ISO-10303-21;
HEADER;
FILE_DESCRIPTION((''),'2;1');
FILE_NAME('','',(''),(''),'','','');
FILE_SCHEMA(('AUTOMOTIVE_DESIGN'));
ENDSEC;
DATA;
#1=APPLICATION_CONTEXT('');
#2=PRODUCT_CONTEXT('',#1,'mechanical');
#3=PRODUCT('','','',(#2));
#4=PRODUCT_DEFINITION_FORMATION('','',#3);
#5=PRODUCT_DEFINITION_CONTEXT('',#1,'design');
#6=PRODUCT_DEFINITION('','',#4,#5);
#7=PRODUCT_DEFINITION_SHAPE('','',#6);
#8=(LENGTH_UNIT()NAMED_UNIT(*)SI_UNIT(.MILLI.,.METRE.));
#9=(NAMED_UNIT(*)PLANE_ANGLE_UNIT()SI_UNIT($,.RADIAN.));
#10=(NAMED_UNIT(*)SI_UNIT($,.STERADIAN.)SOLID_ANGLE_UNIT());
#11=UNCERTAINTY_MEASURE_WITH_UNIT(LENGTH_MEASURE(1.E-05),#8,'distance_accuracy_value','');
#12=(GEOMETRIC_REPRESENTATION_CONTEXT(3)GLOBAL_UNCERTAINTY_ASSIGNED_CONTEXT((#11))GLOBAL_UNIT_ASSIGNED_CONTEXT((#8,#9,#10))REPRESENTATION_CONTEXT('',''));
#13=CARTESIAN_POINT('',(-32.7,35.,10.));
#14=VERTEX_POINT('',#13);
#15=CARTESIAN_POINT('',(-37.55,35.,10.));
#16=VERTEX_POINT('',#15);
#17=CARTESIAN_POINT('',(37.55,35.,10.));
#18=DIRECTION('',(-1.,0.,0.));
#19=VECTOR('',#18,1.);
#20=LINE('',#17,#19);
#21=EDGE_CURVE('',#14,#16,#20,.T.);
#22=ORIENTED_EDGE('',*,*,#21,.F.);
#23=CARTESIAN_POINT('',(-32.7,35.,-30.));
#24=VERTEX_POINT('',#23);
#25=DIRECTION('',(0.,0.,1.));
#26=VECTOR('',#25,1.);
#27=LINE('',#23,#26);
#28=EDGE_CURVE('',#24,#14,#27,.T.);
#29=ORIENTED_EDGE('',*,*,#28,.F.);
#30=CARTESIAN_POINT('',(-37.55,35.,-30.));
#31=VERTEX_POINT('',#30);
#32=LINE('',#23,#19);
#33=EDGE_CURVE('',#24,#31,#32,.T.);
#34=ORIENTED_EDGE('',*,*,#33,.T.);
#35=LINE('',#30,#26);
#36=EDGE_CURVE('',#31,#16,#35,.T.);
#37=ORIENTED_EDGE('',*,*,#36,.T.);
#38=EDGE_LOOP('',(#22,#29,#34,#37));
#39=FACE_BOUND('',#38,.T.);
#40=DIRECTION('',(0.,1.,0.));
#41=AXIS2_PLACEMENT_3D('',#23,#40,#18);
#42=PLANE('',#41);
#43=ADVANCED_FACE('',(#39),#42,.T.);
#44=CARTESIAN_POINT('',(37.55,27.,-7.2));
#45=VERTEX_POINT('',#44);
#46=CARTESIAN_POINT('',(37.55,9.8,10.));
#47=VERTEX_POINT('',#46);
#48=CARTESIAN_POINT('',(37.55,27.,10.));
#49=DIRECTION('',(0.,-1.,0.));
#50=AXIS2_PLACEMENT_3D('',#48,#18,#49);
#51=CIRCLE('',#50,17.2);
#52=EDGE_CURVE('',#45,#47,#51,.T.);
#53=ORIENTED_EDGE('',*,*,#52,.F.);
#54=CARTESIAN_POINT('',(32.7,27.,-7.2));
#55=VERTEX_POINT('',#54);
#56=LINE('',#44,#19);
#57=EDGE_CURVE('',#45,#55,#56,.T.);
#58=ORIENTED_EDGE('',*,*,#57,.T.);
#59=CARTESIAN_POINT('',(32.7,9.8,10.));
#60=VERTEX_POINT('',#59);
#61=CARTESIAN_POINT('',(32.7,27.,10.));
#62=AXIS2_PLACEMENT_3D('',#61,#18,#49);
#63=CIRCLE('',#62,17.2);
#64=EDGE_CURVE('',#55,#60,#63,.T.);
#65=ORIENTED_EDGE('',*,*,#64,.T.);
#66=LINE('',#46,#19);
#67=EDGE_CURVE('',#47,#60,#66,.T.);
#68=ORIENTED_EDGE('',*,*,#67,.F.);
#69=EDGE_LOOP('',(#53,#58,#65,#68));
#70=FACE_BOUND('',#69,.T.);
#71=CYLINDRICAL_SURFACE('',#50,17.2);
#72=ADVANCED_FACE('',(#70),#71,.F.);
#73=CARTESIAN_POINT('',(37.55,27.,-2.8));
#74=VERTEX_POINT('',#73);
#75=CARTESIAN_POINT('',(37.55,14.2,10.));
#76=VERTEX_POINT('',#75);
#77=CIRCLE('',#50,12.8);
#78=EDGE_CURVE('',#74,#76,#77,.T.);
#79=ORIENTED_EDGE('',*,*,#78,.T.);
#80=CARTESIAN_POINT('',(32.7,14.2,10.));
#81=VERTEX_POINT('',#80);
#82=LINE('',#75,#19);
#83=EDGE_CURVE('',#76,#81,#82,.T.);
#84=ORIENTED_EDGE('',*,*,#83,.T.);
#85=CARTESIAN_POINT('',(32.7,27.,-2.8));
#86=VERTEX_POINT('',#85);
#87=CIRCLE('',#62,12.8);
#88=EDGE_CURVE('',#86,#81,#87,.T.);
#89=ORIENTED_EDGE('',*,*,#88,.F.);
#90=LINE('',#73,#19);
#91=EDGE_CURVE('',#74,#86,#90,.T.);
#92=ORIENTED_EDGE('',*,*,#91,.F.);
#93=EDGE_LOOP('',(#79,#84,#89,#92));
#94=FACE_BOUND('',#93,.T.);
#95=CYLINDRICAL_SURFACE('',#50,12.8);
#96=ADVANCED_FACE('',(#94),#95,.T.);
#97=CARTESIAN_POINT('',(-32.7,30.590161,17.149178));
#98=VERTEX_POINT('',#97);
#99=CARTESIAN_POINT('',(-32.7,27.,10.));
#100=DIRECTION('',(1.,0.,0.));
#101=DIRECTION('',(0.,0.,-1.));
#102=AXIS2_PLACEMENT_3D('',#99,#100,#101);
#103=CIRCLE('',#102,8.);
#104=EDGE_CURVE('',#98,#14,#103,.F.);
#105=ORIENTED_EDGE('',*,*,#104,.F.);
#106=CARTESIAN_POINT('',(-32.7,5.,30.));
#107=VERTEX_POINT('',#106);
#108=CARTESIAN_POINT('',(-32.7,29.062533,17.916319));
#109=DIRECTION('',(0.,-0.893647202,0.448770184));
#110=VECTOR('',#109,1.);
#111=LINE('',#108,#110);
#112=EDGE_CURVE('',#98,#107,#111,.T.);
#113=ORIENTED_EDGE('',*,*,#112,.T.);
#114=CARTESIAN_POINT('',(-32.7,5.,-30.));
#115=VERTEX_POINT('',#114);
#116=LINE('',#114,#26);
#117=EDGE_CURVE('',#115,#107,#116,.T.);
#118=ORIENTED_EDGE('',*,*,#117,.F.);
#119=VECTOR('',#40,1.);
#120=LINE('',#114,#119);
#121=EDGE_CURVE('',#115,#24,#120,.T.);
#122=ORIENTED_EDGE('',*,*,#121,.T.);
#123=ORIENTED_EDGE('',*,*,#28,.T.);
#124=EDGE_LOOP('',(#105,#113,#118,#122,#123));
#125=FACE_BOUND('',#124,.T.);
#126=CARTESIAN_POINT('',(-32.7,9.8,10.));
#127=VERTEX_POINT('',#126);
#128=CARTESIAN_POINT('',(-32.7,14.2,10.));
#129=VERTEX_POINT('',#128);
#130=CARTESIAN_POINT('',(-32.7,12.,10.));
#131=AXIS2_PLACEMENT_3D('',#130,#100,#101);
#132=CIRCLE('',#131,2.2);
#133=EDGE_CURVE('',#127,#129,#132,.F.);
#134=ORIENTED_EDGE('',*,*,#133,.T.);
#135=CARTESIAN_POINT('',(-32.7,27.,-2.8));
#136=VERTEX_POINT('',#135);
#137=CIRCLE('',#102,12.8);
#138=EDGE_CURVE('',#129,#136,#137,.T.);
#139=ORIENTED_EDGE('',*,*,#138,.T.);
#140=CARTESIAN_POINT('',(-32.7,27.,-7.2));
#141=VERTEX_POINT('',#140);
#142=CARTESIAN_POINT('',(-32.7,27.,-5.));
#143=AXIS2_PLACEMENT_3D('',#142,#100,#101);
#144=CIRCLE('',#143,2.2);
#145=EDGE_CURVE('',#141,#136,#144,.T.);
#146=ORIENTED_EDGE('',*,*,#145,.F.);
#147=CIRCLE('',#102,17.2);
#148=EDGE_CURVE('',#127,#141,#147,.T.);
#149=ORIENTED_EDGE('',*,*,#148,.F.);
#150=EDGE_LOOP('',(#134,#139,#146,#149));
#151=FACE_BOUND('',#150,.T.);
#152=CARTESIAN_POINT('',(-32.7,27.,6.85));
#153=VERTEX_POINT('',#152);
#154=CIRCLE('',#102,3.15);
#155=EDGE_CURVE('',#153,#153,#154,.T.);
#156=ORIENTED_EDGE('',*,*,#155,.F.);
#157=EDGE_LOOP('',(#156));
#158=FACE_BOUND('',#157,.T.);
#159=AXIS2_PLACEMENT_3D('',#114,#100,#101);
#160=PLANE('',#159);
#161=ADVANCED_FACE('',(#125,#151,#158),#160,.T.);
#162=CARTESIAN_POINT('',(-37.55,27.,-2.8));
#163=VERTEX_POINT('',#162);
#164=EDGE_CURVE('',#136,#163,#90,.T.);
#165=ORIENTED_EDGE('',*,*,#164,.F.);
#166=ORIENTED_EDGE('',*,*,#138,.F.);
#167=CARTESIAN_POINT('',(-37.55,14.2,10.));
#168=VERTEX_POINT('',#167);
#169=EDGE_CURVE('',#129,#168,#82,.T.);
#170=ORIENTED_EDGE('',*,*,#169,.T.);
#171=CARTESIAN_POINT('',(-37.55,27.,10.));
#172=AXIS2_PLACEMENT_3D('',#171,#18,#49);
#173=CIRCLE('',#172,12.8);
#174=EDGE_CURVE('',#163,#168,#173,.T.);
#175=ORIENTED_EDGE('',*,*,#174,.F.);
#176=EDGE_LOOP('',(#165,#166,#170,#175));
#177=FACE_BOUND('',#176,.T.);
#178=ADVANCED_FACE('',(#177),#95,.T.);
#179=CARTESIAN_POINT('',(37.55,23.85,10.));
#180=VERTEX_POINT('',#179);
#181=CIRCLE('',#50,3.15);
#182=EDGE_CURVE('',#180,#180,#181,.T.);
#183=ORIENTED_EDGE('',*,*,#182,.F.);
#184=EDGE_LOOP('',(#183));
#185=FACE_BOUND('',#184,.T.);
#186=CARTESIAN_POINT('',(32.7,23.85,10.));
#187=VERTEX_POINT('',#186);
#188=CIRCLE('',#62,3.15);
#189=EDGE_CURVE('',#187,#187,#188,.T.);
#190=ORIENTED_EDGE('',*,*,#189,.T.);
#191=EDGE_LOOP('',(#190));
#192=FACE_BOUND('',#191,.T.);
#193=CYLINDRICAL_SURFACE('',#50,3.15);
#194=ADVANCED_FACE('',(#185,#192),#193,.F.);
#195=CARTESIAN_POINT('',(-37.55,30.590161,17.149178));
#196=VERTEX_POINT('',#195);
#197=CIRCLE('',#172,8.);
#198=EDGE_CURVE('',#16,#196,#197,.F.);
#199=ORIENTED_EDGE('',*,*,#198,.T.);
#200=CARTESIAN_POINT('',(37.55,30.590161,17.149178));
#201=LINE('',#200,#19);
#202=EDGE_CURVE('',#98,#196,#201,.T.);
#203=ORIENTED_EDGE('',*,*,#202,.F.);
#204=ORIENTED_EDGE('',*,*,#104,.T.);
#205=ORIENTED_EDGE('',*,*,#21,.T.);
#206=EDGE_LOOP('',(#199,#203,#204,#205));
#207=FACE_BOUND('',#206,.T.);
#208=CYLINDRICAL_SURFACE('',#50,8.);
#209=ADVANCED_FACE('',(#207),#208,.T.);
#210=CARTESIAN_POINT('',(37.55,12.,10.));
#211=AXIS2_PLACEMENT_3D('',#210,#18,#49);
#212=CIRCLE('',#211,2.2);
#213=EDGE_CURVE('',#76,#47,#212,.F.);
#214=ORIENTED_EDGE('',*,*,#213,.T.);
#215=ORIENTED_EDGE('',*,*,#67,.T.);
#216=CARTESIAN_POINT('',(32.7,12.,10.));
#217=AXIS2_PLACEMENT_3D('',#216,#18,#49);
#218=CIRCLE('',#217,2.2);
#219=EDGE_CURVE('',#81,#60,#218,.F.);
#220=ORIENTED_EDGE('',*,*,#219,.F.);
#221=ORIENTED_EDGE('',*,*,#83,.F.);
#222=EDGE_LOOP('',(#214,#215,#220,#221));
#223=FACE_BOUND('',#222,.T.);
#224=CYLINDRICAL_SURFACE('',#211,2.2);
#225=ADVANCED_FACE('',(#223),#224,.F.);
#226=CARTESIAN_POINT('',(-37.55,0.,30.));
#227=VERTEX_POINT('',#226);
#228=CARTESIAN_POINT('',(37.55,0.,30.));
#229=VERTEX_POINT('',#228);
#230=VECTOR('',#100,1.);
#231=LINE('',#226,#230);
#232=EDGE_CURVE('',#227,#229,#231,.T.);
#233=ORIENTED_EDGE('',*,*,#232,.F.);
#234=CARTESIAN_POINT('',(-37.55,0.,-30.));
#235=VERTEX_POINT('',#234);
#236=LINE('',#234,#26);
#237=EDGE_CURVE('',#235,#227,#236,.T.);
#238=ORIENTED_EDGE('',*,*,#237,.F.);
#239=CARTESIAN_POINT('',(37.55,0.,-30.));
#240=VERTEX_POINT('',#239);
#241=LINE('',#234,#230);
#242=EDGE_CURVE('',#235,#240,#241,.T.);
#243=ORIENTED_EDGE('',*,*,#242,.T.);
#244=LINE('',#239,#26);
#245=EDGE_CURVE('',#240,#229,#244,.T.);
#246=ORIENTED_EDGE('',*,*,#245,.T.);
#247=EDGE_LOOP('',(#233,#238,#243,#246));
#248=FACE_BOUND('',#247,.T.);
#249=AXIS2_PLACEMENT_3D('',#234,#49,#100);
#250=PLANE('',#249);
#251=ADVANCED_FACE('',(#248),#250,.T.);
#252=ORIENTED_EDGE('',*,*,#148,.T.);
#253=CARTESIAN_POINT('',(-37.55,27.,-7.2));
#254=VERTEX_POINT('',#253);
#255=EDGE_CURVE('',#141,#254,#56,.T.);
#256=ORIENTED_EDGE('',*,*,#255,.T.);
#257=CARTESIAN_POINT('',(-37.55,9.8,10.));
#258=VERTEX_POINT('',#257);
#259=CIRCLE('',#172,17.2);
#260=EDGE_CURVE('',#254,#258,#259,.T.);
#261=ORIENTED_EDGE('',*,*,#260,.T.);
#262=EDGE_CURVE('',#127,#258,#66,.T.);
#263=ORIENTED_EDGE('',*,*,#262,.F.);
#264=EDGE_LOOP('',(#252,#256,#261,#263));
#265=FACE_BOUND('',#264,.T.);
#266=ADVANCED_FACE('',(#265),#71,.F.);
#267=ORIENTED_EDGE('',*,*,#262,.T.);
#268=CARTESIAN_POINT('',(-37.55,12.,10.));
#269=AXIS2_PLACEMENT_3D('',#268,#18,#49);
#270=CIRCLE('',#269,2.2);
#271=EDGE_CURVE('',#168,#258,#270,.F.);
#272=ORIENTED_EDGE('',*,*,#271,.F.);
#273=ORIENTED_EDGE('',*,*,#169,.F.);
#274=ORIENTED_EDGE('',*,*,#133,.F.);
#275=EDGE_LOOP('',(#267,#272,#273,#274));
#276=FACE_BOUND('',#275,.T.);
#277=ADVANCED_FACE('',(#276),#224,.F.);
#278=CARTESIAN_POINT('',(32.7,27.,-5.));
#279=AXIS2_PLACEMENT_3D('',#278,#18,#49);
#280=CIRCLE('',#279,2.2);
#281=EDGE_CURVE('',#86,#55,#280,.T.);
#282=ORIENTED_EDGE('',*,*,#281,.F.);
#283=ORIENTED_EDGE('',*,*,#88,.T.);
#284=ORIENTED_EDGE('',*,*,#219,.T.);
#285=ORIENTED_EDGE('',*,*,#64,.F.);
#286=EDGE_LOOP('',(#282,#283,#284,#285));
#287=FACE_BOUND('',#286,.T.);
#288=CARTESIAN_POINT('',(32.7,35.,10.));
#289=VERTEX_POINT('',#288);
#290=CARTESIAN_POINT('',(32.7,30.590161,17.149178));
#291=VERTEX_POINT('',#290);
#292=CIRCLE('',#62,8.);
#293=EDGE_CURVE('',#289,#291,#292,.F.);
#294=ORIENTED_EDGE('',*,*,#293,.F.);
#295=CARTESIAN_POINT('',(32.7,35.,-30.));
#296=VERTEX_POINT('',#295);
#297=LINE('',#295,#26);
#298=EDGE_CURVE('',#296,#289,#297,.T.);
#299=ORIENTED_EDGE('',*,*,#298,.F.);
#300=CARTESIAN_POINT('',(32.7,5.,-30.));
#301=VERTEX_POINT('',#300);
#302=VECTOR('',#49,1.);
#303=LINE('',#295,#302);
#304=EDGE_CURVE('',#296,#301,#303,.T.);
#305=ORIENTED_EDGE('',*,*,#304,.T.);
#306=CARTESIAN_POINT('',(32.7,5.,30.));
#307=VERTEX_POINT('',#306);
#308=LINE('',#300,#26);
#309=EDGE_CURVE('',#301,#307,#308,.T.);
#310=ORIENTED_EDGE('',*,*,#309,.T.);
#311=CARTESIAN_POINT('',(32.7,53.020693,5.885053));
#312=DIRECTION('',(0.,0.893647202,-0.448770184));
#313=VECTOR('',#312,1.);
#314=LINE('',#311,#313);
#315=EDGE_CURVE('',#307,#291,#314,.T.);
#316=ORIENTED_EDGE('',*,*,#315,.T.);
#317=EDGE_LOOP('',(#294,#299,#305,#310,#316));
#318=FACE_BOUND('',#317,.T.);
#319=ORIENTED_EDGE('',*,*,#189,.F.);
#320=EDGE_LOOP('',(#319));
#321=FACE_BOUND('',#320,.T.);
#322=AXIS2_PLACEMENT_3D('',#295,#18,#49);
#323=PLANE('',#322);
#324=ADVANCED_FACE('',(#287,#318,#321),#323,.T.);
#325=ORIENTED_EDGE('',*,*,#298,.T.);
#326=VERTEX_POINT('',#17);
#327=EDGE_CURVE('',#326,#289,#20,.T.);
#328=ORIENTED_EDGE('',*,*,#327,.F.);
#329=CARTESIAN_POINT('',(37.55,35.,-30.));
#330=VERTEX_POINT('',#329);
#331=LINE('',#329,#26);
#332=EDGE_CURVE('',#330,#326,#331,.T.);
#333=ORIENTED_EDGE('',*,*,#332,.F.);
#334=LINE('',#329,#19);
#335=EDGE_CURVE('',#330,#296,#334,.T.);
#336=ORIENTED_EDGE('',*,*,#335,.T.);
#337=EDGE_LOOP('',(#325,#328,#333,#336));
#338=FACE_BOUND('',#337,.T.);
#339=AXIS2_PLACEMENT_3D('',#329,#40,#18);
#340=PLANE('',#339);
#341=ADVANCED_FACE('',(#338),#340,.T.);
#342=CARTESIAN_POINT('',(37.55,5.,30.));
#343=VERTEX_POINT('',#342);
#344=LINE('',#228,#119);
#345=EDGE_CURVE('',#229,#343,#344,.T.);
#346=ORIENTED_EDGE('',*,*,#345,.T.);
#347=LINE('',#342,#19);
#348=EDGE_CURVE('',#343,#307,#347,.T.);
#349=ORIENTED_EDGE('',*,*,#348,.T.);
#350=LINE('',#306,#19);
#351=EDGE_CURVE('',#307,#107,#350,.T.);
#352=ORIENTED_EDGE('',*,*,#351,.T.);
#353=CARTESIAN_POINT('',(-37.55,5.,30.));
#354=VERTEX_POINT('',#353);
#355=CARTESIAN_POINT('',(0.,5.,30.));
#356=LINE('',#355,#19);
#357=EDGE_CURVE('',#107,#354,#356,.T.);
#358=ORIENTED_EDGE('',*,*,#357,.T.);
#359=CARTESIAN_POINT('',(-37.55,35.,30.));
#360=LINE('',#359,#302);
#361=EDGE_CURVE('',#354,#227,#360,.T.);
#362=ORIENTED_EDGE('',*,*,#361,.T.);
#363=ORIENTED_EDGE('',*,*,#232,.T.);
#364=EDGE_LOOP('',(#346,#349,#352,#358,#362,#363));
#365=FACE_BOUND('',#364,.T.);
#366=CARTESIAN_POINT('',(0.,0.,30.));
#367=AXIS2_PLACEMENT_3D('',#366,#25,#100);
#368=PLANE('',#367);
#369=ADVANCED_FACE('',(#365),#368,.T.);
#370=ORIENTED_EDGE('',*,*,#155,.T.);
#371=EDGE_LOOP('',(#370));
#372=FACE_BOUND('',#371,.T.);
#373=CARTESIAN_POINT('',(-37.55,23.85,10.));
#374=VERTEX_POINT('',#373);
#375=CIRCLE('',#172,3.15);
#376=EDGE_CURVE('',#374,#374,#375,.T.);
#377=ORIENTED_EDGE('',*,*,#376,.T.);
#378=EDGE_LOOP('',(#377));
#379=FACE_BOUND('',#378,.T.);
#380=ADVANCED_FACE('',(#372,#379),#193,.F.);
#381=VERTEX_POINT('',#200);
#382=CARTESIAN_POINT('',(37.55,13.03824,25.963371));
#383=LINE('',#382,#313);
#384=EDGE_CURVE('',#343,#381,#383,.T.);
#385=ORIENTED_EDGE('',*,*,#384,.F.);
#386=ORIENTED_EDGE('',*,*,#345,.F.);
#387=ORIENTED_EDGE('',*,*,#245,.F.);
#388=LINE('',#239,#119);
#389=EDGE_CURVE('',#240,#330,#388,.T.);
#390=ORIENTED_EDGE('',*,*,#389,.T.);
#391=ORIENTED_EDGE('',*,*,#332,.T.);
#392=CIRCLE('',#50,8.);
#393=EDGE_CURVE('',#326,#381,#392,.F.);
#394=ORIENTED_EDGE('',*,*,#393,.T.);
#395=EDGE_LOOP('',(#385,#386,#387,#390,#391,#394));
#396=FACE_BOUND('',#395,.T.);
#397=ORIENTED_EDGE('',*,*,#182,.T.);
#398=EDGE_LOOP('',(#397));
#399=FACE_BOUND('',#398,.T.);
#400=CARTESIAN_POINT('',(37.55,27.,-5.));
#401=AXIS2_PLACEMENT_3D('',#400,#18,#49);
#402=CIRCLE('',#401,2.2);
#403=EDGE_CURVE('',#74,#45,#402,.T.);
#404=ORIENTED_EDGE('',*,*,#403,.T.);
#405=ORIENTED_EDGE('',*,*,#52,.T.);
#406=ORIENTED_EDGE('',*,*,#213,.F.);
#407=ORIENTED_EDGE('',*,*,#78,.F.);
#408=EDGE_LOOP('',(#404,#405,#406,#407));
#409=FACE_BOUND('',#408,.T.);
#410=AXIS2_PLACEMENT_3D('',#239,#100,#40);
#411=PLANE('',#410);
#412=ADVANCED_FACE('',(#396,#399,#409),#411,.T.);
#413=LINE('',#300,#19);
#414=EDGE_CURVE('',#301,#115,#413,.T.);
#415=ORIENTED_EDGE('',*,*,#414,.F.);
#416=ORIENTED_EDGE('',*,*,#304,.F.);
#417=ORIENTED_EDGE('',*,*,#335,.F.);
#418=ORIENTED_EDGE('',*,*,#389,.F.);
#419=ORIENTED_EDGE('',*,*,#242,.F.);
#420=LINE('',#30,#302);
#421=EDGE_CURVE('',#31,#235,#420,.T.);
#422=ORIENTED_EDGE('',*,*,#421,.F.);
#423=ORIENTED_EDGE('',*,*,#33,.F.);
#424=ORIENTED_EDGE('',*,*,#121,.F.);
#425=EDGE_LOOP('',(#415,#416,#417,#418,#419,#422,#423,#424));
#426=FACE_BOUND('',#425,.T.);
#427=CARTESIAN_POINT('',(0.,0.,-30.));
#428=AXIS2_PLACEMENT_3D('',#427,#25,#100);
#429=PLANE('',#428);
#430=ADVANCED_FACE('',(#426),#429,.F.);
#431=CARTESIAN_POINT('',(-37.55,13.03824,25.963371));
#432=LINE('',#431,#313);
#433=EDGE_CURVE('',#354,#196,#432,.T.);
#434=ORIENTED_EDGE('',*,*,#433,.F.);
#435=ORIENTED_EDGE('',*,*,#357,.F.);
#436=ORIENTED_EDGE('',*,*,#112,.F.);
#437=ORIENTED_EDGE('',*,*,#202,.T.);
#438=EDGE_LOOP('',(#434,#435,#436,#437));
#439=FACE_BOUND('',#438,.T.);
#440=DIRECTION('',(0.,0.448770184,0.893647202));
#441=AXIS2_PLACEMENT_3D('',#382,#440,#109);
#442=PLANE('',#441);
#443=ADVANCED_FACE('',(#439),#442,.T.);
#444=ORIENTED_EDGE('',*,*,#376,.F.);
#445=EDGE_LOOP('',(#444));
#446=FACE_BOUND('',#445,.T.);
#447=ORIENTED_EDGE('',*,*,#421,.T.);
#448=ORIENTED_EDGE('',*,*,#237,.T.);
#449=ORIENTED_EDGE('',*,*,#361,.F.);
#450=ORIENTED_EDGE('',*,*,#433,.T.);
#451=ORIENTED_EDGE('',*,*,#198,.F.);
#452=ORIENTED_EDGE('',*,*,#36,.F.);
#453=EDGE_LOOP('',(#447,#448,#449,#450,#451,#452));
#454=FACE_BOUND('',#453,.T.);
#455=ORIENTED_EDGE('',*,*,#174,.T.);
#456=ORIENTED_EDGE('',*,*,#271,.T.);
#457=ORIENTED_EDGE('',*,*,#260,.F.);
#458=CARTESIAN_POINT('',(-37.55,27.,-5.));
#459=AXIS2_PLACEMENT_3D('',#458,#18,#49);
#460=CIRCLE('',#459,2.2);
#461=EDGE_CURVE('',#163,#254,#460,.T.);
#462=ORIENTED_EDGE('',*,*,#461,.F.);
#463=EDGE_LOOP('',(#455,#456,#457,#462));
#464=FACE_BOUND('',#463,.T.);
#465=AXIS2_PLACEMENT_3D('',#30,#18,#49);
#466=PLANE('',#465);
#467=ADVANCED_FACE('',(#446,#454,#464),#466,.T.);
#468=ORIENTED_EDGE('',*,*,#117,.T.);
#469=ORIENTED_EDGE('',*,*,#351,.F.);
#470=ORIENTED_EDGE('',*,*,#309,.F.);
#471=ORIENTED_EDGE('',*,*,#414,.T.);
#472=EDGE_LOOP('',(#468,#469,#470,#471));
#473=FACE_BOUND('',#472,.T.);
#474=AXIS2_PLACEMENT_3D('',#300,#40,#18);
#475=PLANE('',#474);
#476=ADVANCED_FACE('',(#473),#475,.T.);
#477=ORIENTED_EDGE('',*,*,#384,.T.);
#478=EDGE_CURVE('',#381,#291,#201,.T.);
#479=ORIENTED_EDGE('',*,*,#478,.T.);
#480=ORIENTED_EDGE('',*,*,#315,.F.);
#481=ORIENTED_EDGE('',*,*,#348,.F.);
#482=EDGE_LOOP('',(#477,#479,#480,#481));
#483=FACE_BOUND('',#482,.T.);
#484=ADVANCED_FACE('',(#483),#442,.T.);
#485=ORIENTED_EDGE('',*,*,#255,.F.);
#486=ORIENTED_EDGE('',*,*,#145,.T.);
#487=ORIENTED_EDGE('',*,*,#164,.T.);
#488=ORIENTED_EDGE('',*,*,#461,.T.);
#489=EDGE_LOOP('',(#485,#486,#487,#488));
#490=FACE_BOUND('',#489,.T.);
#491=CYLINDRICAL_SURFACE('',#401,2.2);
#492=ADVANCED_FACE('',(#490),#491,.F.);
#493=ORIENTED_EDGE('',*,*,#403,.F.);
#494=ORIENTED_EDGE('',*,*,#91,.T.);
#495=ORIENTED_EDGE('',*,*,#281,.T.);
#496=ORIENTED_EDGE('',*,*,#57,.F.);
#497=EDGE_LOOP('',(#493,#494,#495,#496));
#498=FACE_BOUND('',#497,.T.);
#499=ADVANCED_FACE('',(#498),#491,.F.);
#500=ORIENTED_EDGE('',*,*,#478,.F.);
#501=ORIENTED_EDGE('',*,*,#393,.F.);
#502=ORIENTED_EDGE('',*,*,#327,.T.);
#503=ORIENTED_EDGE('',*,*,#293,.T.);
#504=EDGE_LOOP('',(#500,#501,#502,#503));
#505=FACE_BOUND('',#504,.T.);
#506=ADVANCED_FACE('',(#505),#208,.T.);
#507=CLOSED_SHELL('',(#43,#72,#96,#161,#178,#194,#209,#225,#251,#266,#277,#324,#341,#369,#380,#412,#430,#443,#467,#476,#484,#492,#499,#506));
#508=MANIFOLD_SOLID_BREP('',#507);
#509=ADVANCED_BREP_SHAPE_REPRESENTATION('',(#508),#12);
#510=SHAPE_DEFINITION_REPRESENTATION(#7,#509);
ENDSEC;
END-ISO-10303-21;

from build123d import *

# Parameters (mm, degrees)
EXTRUDE_1_DEPTH      = 30
EXTRUDE_1_DEPTH_BACK = 30
SKETCH_3_R           = 3.15
CUT_EXTRUDE_1_DEPTH  = 89.119294142


with BuildPart() as part:
    # 草图1 → 凸台-拉伸1 (new, two sides: drawn at the far end of the back side and taken through both)
    with BuildSketch(Plane.XY.offset(-EXTRUDE_1_DEPTH_BACK)):
        Polygon((-37.55, 0), (37.55, 0), (37.55, 35), (32.7, 35), (32.7, 5), (-32.7, 5), (-32.7, 35), (-37.55, 35), align=None)
    extrude(amount=EXTRUDE_1_DEPTH + EXTRUDE_1_DEPTH_BACK)

    # 草图3 → 切除-拉伸1 (cut, through all)
    with BuildSketch(Plane.ZY.offset(37.55)):
        with BuildLine():
            ThreePointArc((10, 9.8), (12.2, 12), (10, 14.2))
            ThreePointArc((10, 14.2), (0.949033201, 17.949033201), (-2.8, 27))
            ThreePointArc((-2.8, 27), (-5, 29.2), (-7.2, 27))
            ThreePointArc((-7.2, 27), (-2.162236636, 14.837763364), (10, 9.8))
        make_face()
        with Locations((10, 27)):
            Circle(SKETCH_3_R)
        with BuildLine():
            Line((17.149177618, 30.590161471), (30, 5))
            Line((30, 5), (30, 35))
            Line((30, 35), (10, 35))
            ThreePointArc((10, 35), (14.199923108, 33.808865242), (17.149177618, 30.590161471))
        make_face()
    extrude(amount=-CUT_EXTRUDE_1_DEPTH, mode=Mode.SUBTRACT)


solid = part.part
